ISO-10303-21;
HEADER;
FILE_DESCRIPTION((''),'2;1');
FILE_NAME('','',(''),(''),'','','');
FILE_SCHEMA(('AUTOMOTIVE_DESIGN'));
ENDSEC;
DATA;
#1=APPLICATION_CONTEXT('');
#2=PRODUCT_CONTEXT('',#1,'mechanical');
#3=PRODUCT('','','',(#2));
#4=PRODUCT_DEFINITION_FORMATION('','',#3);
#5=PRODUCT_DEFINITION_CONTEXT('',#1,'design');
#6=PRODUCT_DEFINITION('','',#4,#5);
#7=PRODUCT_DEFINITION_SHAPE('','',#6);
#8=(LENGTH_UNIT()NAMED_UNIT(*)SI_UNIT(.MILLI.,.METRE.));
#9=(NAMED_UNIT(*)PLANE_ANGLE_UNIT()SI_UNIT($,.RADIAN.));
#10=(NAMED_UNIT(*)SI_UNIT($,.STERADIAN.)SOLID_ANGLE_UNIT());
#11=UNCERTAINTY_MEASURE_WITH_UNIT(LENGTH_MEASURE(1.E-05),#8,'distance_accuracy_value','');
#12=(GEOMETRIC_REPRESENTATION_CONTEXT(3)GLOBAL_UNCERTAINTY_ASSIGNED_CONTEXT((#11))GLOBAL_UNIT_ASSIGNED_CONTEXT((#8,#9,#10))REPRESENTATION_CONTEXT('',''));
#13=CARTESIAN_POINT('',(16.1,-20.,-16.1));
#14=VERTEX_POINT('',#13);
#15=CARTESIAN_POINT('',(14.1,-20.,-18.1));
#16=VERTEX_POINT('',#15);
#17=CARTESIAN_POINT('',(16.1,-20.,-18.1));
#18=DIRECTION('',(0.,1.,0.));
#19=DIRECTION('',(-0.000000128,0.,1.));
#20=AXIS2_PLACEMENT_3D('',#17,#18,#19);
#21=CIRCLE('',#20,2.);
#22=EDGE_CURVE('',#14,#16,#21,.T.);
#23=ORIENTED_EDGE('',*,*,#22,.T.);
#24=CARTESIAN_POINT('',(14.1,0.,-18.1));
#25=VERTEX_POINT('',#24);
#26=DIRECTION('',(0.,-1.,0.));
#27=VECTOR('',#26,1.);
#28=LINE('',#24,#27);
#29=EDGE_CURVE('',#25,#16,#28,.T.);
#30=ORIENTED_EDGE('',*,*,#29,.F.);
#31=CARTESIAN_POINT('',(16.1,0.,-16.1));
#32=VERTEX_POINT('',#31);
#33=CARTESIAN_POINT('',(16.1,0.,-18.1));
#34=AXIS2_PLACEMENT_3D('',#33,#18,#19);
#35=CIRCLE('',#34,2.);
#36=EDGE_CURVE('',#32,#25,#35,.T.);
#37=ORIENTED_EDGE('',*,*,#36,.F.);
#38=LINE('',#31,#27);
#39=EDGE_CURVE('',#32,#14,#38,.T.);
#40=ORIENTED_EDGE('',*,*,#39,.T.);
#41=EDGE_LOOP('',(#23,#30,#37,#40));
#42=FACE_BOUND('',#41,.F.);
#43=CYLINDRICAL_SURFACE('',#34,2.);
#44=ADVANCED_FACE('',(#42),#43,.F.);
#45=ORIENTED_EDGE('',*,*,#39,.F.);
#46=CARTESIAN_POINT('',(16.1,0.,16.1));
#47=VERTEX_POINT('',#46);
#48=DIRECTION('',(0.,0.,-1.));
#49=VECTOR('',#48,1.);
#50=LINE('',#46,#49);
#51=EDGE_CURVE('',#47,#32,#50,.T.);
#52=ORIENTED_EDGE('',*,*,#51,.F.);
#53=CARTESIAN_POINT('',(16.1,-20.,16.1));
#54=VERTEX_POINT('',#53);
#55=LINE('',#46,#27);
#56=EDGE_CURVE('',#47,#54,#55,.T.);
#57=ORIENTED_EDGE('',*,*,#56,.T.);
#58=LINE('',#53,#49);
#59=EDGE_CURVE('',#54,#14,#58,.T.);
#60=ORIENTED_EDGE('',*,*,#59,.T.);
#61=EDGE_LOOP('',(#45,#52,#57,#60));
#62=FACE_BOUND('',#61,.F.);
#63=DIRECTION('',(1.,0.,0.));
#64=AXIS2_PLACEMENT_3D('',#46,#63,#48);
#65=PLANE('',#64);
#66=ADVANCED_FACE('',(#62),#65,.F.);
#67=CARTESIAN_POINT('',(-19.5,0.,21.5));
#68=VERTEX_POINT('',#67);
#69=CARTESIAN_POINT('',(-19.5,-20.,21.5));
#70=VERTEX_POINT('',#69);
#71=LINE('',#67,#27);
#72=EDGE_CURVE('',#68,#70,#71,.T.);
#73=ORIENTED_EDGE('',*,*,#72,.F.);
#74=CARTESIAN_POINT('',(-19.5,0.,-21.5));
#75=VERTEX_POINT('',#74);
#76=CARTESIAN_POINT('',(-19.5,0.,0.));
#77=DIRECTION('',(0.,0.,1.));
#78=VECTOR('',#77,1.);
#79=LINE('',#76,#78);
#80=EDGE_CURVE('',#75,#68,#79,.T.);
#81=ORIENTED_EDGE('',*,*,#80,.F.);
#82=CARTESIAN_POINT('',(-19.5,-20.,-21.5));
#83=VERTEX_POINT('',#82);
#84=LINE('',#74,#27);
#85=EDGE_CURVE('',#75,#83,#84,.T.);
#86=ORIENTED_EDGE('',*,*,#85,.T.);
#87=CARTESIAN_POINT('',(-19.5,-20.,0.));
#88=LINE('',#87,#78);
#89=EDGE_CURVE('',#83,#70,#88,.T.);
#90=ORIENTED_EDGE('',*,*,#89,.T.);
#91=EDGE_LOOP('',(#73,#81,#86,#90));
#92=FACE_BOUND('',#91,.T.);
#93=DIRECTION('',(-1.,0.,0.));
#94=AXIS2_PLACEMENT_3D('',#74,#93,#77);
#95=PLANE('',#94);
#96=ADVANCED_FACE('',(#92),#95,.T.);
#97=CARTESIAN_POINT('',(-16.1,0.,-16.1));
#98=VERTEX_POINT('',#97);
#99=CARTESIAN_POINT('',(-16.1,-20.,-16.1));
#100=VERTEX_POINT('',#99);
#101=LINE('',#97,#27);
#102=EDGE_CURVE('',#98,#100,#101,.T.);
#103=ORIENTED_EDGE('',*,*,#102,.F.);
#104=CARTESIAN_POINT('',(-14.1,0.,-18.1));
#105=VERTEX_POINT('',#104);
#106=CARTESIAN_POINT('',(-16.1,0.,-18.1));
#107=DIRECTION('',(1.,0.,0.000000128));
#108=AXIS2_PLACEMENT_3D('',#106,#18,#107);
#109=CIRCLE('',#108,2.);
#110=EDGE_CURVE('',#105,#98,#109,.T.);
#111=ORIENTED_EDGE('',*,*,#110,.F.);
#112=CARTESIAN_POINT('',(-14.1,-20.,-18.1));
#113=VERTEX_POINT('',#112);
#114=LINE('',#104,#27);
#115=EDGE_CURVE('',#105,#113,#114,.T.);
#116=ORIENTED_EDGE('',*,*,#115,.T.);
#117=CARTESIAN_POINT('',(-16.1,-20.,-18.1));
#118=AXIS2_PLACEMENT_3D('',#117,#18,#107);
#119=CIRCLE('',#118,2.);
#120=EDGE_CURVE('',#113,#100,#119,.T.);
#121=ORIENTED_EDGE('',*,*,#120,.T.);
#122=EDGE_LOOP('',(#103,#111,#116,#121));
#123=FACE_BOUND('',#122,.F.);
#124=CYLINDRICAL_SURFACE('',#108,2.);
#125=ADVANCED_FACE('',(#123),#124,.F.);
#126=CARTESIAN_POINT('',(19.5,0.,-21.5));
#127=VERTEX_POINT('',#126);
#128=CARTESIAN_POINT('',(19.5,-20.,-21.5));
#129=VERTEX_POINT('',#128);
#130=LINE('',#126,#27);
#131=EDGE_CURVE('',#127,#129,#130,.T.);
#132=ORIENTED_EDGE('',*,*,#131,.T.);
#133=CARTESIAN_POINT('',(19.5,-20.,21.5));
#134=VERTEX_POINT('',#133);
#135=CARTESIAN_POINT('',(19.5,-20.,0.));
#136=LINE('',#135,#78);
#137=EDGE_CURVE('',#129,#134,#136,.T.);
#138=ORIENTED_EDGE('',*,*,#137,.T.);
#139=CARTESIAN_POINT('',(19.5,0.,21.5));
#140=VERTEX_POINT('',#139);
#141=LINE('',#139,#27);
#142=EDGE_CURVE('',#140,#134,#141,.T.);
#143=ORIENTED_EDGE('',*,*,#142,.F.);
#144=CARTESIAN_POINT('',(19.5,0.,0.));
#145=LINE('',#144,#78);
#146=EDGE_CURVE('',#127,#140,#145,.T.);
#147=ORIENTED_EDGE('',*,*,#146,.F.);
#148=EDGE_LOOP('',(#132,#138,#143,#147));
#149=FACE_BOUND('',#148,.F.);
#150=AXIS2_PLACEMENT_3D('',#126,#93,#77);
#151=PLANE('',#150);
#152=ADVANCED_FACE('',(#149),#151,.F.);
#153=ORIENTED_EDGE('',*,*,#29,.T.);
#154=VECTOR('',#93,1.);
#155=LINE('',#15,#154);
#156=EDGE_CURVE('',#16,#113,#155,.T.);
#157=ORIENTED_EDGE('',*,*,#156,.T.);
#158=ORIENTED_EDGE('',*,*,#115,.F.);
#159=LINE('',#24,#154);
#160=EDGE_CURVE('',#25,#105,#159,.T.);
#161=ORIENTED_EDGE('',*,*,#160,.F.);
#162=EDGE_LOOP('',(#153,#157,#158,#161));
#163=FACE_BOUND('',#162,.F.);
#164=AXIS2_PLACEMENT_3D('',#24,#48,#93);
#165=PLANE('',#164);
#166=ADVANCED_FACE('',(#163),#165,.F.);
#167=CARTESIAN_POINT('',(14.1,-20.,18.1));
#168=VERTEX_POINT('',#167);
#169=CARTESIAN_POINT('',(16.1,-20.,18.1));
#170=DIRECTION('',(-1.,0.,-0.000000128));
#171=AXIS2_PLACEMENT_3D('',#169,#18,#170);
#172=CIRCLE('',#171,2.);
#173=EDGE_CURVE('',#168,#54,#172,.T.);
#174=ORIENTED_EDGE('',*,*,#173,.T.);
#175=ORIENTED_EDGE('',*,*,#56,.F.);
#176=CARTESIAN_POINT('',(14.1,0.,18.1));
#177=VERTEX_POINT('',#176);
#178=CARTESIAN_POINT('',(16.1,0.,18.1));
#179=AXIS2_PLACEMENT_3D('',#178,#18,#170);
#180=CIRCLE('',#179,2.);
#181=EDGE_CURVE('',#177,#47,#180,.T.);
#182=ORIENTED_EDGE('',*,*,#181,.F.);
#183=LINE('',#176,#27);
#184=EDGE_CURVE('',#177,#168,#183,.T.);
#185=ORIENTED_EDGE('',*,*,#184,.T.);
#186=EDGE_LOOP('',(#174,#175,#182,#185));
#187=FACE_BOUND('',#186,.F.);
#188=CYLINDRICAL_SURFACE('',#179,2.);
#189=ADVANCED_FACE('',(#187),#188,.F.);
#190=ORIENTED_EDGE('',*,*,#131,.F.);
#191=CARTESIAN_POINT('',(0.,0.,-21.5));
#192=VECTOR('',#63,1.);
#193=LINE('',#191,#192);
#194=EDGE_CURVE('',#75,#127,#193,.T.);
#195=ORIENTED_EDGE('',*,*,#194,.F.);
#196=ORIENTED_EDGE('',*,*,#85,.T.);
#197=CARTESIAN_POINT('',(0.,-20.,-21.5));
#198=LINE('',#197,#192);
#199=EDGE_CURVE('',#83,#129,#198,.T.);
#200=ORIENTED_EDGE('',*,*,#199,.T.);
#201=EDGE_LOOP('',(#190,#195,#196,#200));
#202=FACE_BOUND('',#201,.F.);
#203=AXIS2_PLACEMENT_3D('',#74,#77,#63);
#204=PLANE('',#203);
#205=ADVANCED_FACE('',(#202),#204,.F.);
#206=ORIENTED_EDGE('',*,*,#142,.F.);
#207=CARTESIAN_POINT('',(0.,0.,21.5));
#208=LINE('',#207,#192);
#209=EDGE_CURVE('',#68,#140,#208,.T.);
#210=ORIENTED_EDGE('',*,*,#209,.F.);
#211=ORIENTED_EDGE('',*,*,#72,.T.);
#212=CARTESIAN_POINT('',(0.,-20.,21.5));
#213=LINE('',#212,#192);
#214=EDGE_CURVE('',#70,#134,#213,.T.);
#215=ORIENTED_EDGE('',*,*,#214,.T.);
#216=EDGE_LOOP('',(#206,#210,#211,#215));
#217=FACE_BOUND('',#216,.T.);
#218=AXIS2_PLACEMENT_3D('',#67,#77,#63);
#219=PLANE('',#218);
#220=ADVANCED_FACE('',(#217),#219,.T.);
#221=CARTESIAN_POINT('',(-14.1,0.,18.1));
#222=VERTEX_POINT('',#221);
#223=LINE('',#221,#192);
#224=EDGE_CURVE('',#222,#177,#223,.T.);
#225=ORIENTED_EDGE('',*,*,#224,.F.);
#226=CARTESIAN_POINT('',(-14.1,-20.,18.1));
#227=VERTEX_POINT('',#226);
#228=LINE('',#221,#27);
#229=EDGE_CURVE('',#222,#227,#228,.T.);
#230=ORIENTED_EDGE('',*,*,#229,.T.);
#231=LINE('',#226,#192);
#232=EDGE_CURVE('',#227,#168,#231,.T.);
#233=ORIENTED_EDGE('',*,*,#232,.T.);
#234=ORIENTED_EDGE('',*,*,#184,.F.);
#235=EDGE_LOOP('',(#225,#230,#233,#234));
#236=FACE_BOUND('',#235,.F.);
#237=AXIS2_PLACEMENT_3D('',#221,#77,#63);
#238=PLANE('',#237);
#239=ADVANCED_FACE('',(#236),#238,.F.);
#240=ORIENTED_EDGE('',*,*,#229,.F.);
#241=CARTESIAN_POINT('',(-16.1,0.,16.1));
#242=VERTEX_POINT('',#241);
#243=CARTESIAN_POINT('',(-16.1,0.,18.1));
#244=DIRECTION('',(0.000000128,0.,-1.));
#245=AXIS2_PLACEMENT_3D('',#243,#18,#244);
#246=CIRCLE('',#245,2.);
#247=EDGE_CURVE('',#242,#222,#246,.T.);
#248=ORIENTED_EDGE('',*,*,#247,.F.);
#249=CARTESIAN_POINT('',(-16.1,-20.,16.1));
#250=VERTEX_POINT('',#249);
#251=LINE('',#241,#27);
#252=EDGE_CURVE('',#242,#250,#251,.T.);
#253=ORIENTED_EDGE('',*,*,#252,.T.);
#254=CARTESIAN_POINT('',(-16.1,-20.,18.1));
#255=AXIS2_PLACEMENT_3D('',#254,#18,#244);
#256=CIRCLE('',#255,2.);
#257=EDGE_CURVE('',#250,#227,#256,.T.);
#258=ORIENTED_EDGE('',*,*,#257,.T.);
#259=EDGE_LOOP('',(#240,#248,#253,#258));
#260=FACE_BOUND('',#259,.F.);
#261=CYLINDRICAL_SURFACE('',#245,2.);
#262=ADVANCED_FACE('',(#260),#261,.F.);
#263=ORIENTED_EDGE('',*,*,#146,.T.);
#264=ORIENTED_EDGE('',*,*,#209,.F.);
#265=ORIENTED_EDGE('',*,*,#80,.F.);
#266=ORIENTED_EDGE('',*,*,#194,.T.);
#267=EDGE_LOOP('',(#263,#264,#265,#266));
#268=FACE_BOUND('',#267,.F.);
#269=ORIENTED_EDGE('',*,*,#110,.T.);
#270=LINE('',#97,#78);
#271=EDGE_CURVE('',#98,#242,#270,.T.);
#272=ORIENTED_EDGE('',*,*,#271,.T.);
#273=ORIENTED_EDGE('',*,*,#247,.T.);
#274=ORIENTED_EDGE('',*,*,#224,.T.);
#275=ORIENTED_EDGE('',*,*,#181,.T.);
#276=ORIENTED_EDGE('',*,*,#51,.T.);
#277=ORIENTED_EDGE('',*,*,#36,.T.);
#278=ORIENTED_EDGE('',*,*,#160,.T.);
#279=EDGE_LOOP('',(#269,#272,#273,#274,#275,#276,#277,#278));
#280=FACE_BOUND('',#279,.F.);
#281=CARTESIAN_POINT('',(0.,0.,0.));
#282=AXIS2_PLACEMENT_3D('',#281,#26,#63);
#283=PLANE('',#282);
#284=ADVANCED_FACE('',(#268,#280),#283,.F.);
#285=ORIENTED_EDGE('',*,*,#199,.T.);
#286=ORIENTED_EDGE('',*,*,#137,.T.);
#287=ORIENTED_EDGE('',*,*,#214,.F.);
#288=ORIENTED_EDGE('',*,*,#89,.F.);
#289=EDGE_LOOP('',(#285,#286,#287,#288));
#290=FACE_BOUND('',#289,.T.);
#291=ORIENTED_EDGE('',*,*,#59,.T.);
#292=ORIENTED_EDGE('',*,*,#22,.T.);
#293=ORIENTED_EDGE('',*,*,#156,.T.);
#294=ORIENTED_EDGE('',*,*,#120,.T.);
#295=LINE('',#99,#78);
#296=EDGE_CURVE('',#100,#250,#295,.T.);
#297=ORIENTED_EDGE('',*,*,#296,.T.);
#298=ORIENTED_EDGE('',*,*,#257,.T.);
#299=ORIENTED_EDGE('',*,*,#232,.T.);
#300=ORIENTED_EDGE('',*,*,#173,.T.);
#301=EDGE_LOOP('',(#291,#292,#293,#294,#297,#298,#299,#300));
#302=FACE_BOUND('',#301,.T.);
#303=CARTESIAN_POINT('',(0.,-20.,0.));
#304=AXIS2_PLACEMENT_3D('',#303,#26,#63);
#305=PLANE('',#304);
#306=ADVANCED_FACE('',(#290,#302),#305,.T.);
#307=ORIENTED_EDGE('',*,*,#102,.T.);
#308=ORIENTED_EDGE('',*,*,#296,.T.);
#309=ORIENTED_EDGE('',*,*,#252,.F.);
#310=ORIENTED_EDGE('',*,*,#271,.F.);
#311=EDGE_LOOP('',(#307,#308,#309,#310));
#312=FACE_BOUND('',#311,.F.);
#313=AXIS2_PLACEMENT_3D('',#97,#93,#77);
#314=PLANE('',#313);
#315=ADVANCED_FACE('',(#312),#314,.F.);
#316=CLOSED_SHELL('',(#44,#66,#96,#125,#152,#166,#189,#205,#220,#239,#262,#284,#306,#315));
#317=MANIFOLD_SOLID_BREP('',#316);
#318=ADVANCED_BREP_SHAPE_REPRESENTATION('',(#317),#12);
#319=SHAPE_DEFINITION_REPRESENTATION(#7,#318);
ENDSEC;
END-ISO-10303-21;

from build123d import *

# Parameters (mm, degrees)
F0_W     = 39
F0_H     = 43
F1_DEPTH = 20


with BuildPart() as f1:
    # F0 (on Front) → F1 (new body)
    with BuildSketch(Plane.XZ):
        Rectangle(F0_W, F0_H)
        with BuildLine():
            Line((-11.1, 18.1), (14.1, 18.1))
            ThreePointArc((14.1, 18.1), (17.514214, 19.514214), (16.1, 16.1))
            Line((16.1, 16.1), (16.1, -12.8))
            Line((16.1, -12.8), (16.1, -16.1))
            ThreePointArc((16.1, -16.1), (17.514214, -19.514214), (14.1, -18.1))
            Line((14.1, -18.1), (3.1, -18.1))
            Line((3.1, -18.1), (-14.1, -18.1))
            ThreePointArc((-14.1, -18.1), (-17.514214, -19.514214), (-16.1, -16.1))
            Line((-16.1, -16.1), (-16.1, 11.017056))
            Line((-16.1, 11.017056), (-16.1, 16.1))
            ThreePointArc((-16.1, 16.1), (-17.514214, 19.514214), (-14.1, 18.1))
            Line((-14.1, 18.1), (-11.1, 18.1))
        make_face(mode=Mode.SUBTRACT)
    extrude(amount=F1_DEPTH)


solid = f1.part
